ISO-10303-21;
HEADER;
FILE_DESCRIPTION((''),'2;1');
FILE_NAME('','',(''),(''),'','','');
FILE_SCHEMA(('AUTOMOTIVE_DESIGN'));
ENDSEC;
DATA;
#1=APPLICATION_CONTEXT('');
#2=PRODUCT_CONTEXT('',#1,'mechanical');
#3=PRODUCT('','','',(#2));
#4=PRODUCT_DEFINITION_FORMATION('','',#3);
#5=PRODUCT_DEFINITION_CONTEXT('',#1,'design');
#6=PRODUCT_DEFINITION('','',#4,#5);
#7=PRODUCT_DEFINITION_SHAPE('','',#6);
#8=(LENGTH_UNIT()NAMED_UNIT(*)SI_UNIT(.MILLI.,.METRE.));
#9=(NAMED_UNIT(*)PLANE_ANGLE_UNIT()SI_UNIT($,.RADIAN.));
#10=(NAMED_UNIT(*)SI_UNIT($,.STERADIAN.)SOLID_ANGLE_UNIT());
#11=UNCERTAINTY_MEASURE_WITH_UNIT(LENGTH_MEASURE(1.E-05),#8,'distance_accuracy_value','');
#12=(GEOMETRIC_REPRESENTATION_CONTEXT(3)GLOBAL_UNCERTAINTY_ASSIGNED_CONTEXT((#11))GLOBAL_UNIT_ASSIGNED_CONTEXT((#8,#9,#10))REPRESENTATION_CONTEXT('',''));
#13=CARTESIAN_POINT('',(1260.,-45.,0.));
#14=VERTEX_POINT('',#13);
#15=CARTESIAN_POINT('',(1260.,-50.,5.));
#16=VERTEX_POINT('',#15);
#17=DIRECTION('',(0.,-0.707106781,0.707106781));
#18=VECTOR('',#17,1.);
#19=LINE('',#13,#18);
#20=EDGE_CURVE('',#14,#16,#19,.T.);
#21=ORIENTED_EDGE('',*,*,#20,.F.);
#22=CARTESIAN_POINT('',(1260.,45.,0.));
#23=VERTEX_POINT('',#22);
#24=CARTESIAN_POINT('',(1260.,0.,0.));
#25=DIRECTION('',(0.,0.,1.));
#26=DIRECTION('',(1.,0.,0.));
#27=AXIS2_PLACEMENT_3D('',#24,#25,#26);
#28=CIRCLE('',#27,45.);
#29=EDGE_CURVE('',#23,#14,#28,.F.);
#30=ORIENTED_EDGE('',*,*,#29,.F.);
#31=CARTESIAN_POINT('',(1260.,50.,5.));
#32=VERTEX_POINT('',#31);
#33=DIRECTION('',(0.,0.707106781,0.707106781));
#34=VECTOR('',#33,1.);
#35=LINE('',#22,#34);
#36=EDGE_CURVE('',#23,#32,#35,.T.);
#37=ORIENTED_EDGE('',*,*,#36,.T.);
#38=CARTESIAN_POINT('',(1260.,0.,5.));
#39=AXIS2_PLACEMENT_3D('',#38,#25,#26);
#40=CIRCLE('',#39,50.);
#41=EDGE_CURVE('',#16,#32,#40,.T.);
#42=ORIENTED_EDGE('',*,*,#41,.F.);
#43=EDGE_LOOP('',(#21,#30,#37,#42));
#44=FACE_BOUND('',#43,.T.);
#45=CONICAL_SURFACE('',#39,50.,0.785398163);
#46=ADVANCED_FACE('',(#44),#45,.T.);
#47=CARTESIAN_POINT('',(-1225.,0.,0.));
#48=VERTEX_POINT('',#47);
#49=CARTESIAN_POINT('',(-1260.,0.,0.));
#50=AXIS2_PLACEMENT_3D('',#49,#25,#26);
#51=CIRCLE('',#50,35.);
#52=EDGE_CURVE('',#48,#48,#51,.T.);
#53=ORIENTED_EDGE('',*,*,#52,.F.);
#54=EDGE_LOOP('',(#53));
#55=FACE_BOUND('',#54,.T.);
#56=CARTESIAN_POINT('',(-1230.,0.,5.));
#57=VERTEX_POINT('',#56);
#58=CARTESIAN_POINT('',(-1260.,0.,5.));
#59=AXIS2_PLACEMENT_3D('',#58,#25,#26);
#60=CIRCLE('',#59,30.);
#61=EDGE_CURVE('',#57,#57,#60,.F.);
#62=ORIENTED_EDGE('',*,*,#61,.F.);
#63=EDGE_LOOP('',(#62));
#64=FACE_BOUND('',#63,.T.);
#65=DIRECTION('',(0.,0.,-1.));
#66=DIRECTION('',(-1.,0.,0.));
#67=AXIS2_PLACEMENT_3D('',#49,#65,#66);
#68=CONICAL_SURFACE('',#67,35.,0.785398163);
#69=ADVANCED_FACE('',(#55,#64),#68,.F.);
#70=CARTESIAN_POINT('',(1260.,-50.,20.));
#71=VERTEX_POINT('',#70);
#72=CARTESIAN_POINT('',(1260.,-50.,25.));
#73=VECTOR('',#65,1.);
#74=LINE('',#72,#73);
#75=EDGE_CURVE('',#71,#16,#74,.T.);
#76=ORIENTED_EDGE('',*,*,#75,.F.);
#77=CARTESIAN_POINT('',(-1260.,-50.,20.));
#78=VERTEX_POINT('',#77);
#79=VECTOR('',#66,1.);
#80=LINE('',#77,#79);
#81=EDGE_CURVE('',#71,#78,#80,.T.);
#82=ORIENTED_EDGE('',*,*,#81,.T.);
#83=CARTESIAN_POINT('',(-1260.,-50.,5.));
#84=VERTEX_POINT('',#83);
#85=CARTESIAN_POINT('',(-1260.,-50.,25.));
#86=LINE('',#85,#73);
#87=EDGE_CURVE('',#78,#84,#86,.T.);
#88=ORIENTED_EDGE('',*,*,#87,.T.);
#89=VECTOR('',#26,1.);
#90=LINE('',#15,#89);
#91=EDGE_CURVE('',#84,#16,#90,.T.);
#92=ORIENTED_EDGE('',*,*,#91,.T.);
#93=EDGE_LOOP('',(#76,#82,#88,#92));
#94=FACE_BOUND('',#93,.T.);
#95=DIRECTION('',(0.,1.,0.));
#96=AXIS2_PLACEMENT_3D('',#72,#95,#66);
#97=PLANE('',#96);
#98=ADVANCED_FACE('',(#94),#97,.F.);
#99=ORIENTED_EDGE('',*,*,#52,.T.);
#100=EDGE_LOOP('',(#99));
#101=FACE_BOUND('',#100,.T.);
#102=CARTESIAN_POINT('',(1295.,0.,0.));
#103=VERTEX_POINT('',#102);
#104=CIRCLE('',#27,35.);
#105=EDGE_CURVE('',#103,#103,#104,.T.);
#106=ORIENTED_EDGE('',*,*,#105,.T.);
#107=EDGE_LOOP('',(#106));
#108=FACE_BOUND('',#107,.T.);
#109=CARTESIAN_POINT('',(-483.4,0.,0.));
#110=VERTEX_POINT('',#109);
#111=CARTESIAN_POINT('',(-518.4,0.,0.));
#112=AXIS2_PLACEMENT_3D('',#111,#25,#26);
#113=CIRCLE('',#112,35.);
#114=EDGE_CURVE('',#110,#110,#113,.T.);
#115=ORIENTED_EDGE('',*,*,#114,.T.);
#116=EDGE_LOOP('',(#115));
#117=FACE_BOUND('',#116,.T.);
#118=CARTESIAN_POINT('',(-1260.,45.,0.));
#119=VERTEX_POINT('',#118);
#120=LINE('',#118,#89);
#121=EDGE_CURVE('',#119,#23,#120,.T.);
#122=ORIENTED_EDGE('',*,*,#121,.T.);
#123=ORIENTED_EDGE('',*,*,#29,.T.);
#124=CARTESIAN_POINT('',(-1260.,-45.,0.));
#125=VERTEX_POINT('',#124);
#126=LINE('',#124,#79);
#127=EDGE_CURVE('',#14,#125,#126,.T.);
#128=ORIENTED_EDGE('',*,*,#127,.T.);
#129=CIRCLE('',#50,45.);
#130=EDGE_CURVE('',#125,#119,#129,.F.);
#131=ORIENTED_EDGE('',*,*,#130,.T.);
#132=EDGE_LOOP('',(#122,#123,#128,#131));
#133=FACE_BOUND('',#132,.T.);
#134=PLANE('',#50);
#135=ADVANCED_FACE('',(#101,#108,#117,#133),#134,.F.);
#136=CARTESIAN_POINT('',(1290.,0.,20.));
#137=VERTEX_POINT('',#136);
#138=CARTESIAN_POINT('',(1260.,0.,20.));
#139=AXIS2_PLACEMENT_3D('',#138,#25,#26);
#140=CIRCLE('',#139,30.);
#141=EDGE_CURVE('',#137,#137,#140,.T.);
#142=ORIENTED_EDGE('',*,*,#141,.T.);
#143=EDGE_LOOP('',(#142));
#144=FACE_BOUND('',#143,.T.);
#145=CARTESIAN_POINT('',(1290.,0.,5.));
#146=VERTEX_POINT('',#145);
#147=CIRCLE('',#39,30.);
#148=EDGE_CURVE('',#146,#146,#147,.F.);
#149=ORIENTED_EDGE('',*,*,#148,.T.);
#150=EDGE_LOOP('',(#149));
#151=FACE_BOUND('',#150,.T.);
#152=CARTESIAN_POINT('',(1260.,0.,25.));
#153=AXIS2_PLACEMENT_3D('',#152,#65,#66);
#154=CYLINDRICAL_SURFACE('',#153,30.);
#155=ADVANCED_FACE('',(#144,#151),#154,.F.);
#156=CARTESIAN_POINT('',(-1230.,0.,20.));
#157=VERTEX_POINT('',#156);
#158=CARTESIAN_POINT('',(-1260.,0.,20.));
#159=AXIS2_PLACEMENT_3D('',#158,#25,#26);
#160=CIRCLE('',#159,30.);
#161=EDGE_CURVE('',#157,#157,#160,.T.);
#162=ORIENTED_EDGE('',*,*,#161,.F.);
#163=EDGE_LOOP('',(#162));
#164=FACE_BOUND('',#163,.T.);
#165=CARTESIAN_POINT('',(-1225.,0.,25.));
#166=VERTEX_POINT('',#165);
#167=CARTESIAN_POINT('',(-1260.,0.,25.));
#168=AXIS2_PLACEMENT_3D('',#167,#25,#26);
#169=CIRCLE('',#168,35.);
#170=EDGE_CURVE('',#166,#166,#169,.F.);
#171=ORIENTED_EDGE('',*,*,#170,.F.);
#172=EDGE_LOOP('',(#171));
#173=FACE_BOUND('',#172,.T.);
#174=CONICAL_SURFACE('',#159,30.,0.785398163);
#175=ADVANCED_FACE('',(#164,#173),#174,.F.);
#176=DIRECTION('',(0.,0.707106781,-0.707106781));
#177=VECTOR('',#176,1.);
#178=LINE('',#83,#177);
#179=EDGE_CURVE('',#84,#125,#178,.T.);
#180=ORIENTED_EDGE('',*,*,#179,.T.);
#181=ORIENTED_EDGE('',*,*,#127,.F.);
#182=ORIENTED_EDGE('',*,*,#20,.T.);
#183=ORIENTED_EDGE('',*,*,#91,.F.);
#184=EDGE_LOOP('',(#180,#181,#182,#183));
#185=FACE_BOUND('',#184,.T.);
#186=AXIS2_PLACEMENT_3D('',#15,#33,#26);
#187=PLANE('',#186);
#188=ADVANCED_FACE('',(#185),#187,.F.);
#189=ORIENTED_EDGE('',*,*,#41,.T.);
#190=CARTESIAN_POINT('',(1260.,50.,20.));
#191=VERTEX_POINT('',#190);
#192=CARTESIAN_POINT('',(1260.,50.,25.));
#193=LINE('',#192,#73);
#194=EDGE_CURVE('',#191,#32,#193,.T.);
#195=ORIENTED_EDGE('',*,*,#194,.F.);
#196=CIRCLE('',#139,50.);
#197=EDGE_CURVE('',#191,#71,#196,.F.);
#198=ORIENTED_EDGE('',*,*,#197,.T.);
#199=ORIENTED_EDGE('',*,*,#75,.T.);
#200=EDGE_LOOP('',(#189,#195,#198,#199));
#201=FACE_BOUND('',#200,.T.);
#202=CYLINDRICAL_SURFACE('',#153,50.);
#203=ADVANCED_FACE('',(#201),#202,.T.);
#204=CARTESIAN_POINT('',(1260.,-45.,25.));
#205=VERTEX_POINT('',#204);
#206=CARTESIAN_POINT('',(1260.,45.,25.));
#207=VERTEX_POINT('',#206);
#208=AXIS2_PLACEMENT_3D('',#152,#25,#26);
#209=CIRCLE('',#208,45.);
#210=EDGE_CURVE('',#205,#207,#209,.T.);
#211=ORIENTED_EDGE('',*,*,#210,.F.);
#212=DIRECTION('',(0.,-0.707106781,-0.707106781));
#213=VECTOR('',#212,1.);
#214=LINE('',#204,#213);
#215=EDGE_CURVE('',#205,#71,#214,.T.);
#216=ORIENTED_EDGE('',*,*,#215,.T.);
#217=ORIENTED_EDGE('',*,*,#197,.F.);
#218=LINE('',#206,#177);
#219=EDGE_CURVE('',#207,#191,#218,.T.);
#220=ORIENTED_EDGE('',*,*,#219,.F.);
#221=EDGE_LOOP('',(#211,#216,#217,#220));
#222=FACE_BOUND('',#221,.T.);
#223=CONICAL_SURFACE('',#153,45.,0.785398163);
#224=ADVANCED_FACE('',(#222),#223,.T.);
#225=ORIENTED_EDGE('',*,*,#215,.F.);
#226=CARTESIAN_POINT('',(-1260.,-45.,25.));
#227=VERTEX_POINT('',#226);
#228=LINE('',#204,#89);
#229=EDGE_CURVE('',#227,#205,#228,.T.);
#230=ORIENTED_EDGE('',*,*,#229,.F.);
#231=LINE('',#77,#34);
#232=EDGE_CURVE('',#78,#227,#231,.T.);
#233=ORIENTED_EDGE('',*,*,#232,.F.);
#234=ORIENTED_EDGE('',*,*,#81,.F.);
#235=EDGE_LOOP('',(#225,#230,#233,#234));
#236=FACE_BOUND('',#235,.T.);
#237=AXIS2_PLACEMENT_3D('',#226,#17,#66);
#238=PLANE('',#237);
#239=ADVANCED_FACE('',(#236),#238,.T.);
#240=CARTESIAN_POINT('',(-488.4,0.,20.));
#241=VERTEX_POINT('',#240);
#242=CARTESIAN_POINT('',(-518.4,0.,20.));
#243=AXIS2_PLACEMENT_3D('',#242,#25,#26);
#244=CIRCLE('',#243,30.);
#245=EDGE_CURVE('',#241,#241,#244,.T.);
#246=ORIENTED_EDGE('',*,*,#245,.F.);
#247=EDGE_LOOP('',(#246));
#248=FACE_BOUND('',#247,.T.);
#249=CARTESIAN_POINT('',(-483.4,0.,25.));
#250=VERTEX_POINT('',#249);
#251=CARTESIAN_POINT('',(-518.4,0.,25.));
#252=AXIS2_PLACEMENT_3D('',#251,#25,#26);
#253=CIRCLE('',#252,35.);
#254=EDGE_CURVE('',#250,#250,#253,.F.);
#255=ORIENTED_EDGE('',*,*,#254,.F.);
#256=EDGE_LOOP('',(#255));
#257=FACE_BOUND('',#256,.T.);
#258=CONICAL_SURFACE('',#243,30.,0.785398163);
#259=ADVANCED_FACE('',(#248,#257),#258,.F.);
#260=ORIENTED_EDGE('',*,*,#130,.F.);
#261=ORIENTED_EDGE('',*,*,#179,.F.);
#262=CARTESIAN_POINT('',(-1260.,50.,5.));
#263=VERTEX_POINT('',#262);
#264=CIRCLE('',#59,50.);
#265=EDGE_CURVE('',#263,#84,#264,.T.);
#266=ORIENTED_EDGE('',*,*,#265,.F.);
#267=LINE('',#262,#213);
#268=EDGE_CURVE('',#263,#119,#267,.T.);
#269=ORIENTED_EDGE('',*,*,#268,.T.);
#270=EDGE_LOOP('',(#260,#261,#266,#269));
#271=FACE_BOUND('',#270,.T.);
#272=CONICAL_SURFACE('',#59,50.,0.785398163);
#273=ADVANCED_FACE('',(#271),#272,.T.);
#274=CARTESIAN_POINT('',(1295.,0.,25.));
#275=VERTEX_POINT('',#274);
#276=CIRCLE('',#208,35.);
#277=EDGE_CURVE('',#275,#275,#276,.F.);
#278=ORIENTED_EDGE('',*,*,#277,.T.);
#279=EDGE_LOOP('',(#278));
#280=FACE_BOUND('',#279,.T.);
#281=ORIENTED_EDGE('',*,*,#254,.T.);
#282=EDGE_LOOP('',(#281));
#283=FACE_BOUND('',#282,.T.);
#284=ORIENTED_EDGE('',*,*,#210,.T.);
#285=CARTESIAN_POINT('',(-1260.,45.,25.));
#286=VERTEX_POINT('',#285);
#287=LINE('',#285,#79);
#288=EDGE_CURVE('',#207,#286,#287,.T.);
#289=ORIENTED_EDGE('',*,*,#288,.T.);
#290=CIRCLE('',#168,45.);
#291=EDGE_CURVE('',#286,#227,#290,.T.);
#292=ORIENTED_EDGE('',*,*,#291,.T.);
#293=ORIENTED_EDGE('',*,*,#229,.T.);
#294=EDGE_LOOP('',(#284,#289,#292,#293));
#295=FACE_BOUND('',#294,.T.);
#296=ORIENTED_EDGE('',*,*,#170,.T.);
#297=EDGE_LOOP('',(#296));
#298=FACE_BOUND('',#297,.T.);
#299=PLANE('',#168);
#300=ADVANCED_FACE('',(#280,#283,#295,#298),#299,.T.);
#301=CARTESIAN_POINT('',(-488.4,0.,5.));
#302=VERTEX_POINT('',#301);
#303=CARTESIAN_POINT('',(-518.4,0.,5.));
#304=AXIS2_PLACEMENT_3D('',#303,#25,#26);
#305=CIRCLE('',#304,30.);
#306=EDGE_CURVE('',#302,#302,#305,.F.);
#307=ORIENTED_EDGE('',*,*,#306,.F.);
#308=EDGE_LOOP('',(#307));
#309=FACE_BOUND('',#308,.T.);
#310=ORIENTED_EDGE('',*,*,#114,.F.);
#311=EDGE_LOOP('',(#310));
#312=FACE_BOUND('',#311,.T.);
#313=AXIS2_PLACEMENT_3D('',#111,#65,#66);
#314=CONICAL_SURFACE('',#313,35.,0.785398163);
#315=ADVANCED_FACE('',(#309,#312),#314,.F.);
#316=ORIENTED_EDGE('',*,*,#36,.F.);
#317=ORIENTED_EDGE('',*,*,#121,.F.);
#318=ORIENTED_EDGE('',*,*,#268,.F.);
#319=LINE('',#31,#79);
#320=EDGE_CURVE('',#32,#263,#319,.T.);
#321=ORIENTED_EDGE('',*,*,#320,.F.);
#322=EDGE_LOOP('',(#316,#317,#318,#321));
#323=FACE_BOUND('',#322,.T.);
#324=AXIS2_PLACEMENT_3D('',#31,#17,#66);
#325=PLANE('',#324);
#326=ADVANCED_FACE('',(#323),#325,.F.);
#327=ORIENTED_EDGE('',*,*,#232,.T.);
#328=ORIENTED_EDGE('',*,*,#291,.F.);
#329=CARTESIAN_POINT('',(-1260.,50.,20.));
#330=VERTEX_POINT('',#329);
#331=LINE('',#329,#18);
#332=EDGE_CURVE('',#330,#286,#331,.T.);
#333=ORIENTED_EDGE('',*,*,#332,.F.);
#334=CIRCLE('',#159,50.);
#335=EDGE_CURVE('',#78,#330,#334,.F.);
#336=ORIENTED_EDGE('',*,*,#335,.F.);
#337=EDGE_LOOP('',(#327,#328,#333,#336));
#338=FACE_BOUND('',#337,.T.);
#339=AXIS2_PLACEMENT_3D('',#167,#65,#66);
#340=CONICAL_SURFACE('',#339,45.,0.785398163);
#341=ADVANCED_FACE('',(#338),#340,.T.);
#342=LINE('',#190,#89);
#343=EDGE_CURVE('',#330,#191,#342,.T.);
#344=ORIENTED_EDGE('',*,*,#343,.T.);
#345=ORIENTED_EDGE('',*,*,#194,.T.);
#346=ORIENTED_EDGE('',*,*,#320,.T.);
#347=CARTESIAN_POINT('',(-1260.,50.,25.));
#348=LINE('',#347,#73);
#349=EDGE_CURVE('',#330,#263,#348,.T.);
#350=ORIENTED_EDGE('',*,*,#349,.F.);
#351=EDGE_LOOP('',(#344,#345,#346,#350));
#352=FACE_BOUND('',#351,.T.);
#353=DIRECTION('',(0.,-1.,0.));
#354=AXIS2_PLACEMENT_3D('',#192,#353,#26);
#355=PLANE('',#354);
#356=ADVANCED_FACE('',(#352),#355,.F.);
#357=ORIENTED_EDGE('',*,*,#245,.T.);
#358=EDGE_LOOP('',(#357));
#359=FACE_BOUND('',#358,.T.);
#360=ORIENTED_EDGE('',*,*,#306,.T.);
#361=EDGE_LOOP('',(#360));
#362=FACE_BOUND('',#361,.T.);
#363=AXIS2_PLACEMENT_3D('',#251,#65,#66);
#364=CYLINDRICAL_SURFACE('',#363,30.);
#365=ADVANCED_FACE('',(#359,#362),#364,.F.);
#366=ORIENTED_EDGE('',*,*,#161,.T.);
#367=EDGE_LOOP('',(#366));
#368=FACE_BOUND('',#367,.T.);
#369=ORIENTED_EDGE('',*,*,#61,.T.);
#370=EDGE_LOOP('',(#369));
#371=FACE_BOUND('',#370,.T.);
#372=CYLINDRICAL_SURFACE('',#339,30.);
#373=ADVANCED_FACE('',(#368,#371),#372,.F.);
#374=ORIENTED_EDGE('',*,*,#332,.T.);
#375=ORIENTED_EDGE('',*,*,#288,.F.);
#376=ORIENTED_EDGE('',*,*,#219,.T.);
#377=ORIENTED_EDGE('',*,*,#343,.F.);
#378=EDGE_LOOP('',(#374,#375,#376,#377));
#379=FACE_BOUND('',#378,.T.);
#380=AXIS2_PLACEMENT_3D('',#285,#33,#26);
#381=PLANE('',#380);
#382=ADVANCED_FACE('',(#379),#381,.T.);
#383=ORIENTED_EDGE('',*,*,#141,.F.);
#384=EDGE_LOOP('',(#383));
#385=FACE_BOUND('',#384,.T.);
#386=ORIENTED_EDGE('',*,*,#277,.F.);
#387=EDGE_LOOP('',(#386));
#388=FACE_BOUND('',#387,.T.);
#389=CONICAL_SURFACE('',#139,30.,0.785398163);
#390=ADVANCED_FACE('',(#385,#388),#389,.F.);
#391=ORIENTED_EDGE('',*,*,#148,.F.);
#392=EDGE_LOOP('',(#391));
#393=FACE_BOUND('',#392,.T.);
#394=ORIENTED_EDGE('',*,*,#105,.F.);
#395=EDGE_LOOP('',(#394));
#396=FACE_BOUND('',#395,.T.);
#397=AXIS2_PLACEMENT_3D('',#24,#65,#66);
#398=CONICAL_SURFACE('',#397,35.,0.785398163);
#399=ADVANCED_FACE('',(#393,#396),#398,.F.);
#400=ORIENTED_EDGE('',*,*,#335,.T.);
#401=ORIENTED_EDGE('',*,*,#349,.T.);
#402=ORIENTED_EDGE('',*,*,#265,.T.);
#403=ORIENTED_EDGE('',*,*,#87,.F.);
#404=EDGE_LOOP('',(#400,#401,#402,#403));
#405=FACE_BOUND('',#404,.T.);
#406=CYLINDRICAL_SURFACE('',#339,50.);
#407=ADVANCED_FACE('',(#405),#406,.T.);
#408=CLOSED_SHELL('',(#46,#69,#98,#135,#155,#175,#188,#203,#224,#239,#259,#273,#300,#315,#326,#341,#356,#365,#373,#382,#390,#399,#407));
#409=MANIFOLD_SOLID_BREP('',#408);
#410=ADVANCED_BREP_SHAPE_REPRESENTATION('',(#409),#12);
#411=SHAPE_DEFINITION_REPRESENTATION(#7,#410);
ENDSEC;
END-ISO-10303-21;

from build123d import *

# Parameters (mm, degrees)
SKETCH1_R           = 30
BOSS_EXTRUDE1_DEPTH = 25
CHAMFER1_SIZE       = 5


with BuildPart() as part:
    # Sketch1 → Boss-Extrude1 (new body)
    with BuildSketch(Plane.XY):
        with BuildLine():
            Line((1260, -50), (-1260, -50))
            ThreePointArc((-1260, -50), (-1310, 0), (-1260, 50))
            Line((-1260, 50), (1260, 50))
            ThreePointArc((1260, 50), (1310, 0), (1260, -50))
        make_face()
        with Locations((-1260, 0)):
            Circle(SKETCH1_R, mode=Mode.SUBTRACT)
        with Locations(Location((1260, 0, 0), (0, 0, 180))):
            Circle(SKETCH1_R, mode=Mode.SUBTRACT)
        with Locations((-518.4, 0)):
            Circle(SKETCH1_R, mode=Mode.SUBTRACT)
    extrude(amount=BOSS_EXTRUDE1_DEPTH)

    # Chamfer1
    chamfer1_edges = [part.edges().sort_by_distance(p)[0] for p in [
        (1310, 0, 25),
        (-1290, 0, 0),
        (-1290, 0, 25),
        (0, 50, 25),
        (1290, 0, 0),
        (1290, 0, 25),
        (-548.4, 0, 0),
        (-548.4, 0, 25),
        (-1310, 0, 25),
        (0, 50, 0),
        (1310, 0, 0),
        (0, -50, 0),
        (-1310, 0, 0),
        (0, -50, 25),
    ]]
    chamfer(chamfer1_edges, length=CHAMFER1_SIZE)


solid = part.part
